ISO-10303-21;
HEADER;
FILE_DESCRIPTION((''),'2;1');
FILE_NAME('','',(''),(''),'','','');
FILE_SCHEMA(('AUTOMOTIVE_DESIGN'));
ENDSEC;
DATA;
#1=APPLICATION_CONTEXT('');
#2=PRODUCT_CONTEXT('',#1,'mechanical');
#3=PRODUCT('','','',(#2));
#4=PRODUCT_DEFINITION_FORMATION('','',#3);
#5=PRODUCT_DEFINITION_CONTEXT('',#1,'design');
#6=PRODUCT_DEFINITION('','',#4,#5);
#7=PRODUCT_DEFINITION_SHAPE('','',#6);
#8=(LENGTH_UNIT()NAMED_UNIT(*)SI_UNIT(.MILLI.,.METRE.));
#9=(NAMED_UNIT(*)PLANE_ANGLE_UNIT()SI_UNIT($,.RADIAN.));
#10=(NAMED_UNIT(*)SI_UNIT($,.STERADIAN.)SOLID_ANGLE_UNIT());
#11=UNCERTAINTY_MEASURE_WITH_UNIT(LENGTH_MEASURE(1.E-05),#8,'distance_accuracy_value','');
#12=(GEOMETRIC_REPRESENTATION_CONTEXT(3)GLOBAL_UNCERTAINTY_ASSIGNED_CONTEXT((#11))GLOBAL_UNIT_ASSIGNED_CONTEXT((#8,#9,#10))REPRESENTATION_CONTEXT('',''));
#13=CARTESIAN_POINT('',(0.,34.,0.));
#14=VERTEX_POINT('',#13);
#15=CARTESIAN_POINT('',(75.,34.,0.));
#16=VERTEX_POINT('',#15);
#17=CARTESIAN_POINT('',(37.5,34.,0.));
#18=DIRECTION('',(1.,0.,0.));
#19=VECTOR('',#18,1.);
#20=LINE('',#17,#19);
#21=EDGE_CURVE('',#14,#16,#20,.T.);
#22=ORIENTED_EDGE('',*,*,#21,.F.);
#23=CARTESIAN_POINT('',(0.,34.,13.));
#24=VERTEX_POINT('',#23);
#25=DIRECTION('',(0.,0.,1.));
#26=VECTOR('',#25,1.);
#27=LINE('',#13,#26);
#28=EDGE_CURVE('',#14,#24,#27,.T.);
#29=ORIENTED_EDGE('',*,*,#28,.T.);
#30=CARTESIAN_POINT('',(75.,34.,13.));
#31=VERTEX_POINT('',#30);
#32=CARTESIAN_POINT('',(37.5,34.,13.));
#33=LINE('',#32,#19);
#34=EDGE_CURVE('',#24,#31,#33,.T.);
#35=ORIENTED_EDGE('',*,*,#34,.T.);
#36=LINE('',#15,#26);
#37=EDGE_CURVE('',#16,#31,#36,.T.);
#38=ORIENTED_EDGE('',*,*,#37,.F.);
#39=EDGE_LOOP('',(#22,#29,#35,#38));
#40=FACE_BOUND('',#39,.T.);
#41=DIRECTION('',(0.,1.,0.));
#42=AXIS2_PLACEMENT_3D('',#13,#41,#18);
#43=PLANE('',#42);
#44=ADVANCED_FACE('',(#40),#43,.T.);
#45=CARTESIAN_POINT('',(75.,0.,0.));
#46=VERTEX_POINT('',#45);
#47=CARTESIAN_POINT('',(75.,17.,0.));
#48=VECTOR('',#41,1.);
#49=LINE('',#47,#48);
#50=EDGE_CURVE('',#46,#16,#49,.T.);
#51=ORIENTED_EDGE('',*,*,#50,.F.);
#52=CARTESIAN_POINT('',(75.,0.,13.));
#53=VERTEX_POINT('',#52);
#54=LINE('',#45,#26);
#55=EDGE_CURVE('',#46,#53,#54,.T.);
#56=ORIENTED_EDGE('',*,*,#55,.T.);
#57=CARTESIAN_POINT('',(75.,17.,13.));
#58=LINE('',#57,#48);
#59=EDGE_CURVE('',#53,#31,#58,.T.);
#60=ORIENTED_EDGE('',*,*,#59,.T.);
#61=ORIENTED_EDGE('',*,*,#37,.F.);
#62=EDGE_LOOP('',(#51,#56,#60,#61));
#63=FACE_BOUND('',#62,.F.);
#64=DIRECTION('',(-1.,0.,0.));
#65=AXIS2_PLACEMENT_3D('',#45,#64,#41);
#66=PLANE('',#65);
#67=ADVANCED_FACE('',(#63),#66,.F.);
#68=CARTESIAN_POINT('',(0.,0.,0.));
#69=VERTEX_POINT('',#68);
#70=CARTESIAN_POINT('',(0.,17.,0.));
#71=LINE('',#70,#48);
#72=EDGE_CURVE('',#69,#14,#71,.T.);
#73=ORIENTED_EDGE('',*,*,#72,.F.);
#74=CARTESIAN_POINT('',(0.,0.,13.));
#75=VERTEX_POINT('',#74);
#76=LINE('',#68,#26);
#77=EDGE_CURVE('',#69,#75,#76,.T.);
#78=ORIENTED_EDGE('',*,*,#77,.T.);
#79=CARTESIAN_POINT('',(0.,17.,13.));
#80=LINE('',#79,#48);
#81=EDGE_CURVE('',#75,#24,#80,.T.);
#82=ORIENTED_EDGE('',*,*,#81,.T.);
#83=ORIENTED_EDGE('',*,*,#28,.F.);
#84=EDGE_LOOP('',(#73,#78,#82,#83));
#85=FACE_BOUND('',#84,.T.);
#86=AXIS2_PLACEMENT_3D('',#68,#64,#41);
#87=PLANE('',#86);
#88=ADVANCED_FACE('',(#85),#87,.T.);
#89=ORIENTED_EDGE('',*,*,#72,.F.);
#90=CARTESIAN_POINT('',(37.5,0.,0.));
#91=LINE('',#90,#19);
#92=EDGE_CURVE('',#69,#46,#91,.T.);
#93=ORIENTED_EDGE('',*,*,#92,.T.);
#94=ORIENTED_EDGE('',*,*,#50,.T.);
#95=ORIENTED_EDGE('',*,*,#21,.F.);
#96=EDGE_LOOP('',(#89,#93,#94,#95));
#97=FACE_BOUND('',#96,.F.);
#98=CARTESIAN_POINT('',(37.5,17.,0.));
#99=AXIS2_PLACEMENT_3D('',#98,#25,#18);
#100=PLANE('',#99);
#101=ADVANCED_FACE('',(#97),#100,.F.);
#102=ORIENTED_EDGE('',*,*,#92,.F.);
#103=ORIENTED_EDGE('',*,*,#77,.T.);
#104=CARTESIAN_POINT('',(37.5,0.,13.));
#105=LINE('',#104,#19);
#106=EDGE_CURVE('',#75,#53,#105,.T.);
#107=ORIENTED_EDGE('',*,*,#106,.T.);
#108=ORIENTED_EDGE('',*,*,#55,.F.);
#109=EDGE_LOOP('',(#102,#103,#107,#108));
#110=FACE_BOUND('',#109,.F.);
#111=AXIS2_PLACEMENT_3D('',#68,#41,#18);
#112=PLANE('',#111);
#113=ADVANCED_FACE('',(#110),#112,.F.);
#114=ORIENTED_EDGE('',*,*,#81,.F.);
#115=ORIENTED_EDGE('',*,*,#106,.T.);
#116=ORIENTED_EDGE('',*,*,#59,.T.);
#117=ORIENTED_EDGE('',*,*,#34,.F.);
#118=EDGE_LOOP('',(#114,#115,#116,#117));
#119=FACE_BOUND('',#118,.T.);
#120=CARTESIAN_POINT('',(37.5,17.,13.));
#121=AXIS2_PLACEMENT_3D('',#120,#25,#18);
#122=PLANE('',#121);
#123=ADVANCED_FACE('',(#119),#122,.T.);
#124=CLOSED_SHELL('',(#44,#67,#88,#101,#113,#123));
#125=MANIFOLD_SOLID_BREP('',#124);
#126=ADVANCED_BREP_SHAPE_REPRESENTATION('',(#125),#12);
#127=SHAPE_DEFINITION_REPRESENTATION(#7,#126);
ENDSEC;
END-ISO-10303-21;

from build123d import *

# Parameters (mm, degrees)
BOX_W     = 75
BOX_H     = 34
BOX_DEPTH = 13


with BuildPart() as part:
    # Box → Box (new body)
    with BuildSketch(Plane.XY):
        with Locations((37.5, 17)):
            Rectangle(BOX_W, BOX_H)
    extrude(amount=BOX_DEPTH)


solid = part.part
